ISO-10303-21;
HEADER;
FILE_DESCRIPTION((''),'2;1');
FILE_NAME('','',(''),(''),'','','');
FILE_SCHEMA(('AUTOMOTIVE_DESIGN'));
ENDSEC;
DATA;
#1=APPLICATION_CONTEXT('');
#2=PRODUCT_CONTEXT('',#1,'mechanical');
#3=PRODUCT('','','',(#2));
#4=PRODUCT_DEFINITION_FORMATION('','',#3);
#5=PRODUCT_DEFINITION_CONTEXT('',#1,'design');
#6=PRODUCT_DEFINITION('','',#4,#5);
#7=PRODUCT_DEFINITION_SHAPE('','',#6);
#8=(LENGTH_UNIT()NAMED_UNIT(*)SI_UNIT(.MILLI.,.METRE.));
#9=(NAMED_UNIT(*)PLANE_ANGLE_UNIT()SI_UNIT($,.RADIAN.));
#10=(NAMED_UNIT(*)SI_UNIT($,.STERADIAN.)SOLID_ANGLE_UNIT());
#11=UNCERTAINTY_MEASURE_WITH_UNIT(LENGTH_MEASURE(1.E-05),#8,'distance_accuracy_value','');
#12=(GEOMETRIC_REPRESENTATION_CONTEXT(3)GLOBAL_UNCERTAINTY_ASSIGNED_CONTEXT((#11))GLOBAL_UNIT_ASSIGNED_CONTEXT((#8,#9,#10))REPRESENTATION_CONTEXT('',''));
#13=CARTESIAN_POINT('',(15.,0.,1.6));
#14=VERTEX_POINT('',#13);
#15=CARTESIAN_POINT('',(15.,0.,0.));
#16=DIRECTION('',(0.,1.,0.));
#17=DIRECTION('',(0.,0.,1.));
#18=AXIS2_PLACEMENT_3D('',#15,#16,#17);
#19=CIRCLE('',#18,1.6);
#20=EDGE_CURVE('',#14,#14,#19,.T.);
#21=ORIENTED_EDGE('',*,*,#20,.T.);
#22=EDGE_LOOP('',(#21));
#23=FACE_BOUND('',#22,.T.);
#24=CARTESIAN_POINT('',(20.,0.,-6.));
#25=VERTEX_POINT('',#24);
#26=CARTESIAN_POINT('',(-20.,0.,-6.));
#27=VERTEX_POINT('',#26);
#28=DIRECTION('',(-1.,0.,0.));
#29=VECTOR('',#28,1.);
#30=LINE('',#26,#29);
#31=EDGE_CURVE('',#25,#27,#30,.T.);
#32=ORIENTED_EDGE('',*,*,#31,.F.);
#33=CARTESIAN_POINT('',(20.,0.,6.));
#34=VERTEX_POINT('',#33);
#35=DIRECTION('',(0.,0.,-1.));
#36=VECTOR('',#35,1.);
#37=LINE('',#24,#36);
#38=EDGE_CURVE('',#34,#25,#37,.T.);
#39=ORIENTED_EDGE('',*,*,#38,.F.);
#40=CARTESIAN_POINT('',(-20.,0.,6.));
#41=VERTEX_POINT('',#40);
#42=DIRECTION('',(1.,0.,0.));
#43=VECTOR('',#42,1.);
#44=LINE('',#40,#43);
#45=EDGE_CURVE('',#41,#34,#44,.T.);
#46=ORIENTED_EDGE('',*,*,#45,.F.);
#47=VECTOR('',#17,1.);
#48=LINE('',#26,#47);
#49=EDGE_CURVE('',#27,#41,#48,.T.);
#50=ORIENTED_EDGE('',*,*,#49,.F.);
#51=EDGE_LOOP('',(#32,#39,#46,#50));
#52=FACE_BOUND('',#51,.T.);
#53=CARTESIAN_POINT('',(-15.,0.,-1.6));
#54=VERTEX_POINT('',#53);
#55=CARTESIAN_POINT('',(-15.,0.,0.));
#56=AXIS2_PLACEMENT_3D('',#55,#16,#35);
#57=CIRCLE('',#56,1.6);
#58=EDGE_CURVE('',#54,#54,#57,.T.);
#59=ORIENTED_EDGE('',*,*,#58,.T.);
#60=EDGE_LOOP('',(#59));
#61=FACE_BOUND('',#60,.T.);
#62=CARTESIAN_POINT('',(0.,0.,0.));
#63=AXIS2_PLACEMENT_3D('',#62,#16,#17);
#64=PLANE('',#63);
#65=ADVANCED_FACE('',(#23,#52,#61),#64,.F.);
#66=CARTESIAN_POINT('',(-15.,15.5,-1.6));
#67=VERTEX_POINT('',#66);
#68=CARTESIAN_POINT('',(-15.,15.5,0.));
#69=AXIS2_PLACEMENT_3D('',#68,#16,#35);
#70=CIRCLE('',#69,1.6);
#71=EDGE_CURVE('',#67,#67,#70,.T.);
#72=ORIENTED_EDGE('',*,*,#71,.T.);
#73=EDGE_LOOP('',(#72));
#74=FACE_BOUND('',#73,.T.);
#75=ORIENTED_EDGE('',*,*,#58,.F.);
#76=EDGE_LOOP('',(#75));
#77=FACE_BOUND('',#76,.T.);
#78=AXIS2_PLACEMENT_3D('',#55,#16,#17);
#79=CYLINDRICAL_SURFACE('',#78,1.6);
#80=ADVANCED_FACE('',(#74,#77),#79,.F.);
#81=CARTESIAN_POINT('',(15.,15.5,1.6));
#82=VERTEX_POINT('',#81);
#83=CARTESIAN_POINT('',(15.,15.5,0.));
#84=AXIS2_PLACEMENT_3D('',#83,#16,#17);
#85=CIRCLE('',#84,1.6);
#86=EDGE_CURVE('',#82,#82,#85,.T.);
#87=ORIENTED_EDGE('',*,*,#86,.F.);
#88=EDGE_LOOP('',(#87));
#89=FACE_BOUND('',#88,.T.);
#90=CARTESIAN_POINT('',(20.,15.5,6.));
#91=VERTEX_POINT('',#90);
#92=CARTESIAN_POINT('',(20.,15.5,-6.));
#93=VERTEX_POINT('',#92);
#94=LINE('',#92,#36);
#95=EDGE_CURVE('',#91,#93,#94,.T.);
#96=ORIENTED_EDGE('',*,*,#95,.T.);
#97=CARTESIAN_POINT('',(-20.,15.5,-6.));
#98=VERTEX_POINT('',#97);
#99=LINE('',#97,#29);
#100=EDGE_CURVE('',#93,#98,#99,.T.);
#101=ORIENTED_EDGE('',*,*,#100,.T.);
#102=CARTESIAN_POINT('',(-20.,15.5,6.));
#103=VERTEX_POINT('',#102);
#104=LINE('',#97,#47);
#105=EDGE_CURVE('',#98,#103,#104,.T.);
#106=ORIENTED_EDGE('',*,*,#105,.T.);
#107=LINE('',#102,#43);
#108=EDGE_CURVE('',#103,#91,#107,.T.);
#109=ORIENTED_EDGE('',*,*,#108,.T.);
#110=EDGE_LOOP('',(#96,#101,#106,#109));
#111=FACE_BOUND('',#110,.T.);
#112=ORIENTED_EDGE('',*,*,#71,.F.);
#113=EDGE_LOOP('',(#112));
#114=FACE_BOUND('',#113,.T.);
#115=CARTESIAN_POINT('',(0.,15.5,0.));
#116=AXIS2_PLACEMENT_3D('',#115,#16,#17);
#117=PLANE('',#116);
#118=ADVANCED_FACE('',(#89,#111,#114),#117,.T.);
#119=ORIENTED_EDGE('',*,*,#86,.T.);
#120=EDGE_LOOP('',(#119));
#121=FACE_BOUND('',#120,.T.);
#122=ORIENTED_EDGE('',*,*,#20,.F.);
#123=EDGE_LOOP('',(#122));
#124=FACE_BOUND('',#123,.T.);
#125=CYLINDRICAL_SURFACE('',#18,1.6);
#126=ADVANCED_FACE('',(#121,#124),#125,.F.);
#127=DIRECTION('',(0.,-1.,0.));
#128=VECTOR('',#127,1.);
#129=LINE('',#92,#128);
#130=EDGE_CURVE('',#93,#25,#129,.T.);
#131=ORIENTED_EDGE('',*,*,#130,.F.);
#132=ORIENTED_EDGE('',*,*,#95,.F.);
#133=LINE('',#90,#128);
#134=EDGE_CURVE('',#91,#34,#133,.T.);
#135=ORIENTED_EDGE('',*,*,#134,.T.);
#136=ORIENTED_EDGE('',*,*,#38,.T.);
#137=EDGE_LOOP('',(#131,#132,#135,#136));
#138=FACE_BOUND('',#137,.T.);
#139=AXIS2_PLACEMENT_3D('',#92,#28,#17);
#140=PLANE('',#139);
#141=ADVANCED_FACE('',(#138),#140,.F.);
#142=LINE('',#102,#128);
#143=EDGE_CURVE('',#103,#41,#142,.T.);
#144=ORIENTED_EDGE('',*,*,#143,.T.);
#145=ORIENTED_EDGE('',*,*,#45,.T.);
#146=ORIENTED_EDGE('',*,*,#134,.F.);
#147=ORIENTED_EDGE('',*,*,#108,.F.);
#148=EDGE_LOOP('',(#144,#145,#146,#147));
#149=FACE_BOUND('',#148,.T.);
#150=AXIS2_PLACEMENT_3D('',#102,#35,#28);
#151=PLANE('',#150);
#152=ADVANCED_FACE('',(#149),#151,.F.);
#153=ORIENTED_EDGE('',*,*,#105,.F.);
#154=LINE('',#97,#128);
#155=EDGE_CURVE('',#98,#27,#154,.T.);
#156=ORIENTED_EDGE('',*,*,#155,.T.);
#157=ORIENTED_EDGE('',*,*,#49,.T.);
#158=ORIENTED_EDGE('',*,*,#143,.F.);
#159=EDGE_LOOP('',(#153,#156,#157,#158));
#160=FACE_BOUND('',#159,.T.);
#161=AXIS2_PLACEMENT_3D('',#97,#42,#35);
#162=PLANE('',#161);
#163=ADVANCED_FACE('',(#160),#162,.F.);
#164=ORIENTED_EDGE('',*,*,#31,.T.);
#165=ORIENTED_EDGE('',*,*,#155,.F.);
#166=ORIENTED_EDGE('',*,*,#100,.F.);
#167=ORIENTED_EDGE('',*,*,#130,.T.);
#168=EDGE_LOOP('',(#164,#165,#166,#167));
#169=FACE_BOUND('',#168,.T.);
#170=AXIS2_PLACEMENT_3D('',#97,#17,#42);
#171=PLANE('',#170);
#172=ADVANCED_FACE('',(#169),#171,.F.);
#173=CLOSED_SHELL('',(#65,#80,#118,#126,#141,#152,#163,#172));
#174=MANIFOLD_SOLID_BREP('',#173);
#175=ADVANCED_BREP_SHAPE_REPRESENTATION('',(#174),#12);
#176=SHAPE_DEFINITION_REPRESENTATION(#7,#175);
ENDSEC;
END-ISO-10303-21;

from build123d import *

# Parameters (mm, degrees)
SKETCH1_W           = 40
SKETCH1_H           = 12
BOSS_EXTRUDE1_DEPTH = 15.5
SKETCH2_R           = 1.6
CUT_EXTRUDE2_DEPTH  = 27.004807248


with BuildPart() as part:
    # Sketch1 → Boss-Extrude1 (new body)
    with BuildSketch(Plane(origin=(0, 0, 0), x_dir=(1, 0, 0), z_dir=(0, 1, 0))):
        Rectangle(SKETCH1_W, SKETCH1_H)
    extrude(amount=BOSS_EXTRUDE1_DEPTH)

    # Sketch2 → Cut-Extrude2 (cut, through all)
    with BuildSketch(Plane(origin=(0, 15.5, 0), x_dir=(1, 0, 0), z_dir=(0, 1, 0))):
        with Locations((15, 0)):
            Circle(SKETCH2_R)
        with Locations((-15, 0)):
            Circle(SKETCH2_R)
    extrude(amount=-CUT_EXTRUDE2_DEPTH, mode=Mode.SUBTRACT)


solid = part.part
